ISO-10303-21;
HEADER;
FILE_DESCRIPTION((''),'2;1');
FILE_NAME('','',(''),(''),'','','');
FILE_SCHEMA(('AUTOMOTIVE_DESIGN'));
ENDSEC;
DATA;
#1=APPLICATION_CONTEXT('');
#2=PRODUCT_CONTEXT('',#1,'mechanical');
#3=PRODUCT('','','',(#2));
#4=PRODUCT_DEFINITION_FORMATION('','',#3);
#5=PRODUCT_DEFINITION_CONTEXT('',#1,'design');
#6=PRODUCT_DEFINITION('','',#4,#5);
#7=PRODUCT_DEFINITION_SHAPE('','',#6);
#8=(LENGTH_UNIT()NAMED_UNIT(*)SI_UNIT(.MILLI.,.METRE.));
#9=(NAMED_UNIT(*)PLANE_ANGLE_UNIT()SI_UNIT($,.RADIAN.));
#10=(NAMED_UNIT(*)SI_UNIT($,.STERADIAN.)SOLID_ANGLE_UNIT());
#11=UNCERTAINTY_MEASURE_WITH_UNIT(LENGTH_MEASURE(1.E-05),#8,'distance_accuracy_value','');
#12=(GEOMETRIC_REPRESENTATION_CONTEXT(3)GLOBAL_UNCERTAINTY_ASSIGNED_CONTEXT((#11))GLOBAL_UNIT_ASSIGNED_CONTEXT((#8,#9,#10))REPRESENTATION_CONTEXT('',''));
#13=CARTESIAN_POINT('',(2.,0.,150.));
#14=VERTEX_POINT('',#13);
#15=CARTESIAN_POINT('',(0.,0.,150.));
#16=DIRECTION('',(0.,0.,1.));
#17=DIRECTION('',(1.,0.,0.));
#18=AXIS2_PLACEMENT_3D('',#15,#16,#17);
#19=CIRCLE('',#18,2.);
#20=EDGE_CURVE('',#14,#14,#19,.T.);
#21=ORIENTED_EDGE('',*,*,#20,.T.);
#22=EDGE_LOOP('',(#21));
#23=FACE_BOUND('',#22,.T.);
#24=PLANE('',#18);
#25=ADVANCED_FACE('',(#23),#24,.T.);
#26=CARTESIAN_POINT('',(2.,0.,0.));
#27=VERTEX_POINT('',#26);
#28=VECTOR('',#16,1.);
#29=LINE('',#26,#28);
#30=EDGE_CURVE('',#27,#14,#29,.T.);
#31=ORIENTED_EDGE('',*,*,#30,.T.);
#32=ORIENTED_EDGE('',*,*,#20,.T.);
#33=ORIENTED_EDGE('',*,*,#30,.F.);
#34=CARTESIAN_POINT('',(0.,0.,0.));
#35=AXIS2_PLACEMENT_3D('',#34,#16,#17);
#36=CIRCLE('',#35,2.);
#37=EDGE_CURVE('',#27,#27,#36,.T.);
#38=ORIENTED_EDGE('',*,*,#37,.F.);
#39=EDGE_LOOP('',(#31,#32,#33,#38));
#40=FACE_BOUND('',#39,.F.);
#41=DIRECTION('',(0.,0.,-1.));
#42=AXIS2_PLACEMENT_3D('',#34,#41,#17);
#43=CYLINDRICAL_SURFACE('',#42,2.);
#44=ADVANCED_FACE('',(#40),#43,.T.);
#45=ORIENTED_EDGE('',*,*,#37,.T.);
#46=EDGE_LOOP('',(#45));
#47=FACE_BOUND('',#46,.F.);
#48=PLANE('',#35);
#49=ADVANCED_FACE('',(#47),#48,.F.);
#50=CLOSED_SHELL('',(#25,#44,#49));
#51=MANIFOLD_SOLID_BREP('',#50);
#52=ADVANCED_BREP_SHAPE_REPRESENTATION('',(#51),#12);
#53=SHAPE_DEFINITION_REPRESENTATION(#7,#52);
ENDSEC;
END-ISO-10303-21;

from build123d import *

# Parameters (mm, degrees)
SKETCH1_R           = 2
BOSS_EXTRUDE1_DEPTH = 150


with BuildPart() as part:
    # Sketch1 → Boss-Extrude1 (new body)
    with BuildSketch(Plane.XY):
        Circle(SKETCH1_R)
    extrude(amount=BOSS_EXTRUDE1_DEPTH)


solid = part.part
